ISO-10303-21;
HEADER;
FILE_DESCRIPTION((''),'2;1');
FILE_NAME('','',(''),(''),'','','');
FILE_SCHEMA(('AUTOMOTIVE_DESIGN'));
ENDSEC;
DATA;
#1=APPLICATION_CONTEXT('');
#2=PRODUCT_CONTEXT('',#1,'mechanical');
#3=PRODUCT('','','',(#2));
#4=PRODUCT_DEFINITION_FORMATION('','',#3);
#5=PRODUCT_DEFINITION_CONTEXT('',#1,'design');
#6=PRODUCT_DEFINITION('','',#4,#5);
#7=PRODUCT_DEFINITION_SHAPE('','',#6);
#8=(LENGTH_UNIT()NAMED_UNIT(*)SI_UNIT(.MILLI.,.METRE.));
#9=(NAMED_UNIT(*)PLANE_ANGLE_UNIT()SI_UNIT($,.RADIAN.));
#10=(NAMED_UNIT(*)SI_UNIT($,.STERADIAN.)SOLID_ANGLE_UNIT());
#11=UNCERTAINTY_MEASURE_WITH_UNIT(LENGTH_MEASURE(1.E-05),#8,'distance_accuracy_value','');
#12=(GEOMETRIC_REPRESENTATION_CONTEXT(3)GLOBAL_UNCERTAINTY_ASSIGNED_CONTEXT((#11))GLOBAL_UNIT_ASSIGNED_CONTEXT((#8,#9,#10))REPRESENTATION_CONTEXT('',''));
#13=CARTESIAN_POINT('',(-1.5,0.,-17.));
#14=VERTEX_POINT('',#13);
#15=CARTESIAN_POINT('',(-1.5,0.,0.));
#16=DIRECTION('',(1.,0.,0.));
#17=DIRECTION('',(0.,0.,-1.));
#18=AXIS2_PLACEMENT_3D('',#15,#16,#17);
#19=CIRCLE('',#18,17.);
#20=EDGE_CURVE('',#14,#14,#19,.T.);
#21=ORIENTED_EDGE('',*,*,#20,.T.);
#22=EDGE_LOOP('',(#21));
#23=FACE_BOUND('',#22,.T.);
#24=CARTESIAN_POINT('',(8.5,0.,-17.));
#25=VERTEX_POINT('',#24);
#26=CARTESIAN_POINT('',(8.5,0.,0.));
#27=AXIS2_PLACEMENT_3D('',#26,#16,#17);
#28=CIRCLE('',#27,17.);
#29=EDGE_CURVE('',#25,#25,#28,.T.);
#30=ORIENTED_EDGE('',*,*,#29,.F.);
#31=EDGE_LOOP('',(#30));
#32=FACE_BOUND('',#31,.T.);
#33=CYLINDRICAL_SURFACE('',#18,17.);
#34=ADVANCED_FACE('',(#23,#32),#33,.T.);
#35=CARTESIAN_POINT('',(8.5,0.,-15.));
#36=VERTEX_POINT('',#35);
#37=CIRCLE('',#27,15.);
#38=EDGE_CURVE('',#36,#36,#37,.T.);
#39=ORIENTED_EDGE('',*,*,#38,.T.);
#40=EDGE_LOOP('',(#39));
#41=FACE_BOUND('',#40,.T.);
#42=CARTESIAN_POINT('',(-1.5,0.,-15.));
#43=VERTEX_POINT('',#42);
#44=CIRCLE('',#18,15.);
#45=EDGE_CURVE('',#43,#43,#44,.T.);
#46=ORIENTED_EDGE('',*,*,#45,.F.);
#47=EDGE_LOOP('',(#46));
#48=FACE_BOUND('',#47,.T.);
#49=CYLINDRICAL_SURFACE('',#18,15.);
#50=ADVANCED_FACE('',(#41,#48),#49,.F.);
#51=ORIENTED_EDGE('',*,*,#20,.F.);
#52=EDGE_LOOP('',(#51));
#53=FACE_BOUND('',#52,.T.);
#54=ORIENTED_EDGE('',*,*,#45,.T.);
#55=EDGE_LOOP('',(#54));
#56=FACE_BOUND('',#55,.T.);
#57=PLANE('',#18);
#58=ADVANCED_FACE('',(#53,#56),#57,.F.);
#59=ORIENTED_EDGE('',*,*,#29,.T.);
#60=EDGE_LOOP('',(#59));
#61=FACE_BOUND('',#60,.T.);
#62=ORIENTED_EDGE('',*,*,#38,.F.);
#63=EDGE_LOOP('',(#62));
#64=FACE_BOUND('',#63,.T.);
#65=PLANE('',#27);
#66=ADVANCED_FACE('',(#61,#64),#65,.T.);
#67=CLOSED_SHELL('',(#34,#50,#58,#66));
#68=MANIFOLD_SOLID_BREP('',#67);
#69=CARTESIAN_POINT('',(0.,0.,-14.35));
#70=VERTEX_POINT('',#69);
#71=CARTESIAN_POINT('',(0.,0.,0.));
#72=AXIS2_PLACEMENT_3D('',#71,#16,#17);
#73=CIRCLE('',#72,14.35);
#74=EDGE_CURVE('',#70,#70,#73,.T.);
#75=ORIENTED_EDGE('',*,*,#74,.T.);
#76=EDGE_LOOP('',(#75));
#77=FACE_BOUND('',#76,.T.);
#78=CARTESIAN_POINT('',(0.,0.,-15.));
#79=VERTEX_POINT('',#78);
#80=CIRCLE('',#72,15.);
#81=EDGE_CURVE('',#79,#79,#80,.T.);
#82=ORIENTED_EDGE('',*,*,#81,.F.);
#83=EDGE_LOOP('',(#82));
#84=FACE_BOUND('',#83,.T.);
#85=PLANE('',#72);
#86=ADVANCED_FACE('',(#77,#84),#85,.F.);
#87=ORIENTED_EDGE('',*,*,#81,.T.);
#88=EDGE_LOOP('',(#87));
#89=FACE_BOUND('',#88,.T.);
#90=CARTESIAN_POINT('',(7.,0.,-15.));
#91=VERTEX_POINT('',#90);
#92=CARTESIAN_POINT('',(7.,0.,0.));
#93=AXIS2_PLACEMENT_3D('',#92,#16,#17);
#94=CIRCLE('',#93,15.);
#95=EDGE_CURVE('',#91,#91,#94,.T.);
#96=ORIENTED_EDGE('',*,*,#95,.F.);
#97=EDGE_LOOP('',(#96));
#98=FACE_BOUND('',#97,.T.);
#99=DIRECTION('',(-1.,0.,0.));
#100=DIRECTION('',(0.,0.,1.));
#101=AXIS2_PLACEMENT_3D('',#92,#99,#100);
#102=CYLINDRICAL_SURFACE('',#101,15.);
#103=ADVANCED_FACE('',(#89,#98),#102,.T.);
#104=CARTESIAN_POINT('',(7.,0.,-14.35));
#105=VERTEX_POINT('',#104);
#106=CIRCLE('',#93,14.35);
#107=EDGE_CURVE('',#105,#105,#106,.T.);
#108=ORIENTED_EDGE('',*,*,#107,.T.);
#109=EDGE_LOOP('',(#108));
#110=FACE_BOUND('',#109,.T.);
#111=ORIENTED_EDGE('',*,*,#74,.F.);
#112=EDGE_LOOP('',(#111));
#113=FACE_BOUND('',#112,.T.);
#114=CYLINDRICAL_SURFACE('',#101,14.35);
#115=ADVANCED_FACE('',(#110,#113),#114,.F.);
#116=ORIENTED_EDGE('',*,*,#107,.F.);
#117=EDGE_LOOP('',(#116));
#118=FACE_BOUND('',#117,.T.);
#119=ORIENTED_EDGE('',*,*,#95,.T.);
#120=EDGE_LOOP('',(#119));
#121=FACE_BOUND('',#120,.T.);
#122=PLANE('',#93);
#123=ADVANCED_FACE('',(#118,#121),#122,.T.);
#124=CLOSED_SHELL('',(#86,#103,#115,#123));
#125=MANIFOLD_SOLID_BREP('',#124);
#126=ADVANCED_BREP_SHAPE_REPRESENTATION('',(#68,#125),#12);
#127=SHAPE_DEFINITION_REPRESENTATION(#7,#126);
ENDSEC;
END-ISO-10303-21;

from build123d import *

# Parameters (mm, degrees)
SKETCH2_R                = 15
SKETCH2_R_2              = 14.35
BOSS_EXTRUDE1_DEPTH      = 7
BOSS_EXTRUDE2_DEPTH      = 1.5
BOSS_EXTRUDE2_DEPTH_BACK = 8.5
SKETCH3_R                = 17
SKETCH3_R_2              = 15


with BuildPart() as part:
    # Sketch2 → Boss-Extrude1 (new body)
    with BuildSketch(Plane(origin=(0, 0, 0), x_dir=(0, 0, -1), z_dir=(1, 0, 0))):
        Circle(SKETCH2_R)
        Circle(SKETCH2_R_2, mode=Mode.SUBTRACT)
    extrude(amount=BOSS_EXTRUDE1_DEPTH)


with BuildPart() as body_2:
    # Sketch3 → Boss-Extrude2 (new, two sides: drawn at the far end of the back side and taken through both)
    with BuildSketch(Plane(origin=(7, 0, 0), x_dir=(0, 0, -1), z_dir=(1, 0, 0)).offset(-BOSS_EXTRUDE2_DEPTH_BACK)):
        Circle(SKETCH3_R)
        Circle(SKETCH3_R_2, mode=Mode.SUBTRACT)
    extrude(amount=BOSS_EXTRUDE2_DEPTH + BOSS_EXTRUDE2_DEPTH_BACK)


solid = Compound([part.part, body_2.part])
